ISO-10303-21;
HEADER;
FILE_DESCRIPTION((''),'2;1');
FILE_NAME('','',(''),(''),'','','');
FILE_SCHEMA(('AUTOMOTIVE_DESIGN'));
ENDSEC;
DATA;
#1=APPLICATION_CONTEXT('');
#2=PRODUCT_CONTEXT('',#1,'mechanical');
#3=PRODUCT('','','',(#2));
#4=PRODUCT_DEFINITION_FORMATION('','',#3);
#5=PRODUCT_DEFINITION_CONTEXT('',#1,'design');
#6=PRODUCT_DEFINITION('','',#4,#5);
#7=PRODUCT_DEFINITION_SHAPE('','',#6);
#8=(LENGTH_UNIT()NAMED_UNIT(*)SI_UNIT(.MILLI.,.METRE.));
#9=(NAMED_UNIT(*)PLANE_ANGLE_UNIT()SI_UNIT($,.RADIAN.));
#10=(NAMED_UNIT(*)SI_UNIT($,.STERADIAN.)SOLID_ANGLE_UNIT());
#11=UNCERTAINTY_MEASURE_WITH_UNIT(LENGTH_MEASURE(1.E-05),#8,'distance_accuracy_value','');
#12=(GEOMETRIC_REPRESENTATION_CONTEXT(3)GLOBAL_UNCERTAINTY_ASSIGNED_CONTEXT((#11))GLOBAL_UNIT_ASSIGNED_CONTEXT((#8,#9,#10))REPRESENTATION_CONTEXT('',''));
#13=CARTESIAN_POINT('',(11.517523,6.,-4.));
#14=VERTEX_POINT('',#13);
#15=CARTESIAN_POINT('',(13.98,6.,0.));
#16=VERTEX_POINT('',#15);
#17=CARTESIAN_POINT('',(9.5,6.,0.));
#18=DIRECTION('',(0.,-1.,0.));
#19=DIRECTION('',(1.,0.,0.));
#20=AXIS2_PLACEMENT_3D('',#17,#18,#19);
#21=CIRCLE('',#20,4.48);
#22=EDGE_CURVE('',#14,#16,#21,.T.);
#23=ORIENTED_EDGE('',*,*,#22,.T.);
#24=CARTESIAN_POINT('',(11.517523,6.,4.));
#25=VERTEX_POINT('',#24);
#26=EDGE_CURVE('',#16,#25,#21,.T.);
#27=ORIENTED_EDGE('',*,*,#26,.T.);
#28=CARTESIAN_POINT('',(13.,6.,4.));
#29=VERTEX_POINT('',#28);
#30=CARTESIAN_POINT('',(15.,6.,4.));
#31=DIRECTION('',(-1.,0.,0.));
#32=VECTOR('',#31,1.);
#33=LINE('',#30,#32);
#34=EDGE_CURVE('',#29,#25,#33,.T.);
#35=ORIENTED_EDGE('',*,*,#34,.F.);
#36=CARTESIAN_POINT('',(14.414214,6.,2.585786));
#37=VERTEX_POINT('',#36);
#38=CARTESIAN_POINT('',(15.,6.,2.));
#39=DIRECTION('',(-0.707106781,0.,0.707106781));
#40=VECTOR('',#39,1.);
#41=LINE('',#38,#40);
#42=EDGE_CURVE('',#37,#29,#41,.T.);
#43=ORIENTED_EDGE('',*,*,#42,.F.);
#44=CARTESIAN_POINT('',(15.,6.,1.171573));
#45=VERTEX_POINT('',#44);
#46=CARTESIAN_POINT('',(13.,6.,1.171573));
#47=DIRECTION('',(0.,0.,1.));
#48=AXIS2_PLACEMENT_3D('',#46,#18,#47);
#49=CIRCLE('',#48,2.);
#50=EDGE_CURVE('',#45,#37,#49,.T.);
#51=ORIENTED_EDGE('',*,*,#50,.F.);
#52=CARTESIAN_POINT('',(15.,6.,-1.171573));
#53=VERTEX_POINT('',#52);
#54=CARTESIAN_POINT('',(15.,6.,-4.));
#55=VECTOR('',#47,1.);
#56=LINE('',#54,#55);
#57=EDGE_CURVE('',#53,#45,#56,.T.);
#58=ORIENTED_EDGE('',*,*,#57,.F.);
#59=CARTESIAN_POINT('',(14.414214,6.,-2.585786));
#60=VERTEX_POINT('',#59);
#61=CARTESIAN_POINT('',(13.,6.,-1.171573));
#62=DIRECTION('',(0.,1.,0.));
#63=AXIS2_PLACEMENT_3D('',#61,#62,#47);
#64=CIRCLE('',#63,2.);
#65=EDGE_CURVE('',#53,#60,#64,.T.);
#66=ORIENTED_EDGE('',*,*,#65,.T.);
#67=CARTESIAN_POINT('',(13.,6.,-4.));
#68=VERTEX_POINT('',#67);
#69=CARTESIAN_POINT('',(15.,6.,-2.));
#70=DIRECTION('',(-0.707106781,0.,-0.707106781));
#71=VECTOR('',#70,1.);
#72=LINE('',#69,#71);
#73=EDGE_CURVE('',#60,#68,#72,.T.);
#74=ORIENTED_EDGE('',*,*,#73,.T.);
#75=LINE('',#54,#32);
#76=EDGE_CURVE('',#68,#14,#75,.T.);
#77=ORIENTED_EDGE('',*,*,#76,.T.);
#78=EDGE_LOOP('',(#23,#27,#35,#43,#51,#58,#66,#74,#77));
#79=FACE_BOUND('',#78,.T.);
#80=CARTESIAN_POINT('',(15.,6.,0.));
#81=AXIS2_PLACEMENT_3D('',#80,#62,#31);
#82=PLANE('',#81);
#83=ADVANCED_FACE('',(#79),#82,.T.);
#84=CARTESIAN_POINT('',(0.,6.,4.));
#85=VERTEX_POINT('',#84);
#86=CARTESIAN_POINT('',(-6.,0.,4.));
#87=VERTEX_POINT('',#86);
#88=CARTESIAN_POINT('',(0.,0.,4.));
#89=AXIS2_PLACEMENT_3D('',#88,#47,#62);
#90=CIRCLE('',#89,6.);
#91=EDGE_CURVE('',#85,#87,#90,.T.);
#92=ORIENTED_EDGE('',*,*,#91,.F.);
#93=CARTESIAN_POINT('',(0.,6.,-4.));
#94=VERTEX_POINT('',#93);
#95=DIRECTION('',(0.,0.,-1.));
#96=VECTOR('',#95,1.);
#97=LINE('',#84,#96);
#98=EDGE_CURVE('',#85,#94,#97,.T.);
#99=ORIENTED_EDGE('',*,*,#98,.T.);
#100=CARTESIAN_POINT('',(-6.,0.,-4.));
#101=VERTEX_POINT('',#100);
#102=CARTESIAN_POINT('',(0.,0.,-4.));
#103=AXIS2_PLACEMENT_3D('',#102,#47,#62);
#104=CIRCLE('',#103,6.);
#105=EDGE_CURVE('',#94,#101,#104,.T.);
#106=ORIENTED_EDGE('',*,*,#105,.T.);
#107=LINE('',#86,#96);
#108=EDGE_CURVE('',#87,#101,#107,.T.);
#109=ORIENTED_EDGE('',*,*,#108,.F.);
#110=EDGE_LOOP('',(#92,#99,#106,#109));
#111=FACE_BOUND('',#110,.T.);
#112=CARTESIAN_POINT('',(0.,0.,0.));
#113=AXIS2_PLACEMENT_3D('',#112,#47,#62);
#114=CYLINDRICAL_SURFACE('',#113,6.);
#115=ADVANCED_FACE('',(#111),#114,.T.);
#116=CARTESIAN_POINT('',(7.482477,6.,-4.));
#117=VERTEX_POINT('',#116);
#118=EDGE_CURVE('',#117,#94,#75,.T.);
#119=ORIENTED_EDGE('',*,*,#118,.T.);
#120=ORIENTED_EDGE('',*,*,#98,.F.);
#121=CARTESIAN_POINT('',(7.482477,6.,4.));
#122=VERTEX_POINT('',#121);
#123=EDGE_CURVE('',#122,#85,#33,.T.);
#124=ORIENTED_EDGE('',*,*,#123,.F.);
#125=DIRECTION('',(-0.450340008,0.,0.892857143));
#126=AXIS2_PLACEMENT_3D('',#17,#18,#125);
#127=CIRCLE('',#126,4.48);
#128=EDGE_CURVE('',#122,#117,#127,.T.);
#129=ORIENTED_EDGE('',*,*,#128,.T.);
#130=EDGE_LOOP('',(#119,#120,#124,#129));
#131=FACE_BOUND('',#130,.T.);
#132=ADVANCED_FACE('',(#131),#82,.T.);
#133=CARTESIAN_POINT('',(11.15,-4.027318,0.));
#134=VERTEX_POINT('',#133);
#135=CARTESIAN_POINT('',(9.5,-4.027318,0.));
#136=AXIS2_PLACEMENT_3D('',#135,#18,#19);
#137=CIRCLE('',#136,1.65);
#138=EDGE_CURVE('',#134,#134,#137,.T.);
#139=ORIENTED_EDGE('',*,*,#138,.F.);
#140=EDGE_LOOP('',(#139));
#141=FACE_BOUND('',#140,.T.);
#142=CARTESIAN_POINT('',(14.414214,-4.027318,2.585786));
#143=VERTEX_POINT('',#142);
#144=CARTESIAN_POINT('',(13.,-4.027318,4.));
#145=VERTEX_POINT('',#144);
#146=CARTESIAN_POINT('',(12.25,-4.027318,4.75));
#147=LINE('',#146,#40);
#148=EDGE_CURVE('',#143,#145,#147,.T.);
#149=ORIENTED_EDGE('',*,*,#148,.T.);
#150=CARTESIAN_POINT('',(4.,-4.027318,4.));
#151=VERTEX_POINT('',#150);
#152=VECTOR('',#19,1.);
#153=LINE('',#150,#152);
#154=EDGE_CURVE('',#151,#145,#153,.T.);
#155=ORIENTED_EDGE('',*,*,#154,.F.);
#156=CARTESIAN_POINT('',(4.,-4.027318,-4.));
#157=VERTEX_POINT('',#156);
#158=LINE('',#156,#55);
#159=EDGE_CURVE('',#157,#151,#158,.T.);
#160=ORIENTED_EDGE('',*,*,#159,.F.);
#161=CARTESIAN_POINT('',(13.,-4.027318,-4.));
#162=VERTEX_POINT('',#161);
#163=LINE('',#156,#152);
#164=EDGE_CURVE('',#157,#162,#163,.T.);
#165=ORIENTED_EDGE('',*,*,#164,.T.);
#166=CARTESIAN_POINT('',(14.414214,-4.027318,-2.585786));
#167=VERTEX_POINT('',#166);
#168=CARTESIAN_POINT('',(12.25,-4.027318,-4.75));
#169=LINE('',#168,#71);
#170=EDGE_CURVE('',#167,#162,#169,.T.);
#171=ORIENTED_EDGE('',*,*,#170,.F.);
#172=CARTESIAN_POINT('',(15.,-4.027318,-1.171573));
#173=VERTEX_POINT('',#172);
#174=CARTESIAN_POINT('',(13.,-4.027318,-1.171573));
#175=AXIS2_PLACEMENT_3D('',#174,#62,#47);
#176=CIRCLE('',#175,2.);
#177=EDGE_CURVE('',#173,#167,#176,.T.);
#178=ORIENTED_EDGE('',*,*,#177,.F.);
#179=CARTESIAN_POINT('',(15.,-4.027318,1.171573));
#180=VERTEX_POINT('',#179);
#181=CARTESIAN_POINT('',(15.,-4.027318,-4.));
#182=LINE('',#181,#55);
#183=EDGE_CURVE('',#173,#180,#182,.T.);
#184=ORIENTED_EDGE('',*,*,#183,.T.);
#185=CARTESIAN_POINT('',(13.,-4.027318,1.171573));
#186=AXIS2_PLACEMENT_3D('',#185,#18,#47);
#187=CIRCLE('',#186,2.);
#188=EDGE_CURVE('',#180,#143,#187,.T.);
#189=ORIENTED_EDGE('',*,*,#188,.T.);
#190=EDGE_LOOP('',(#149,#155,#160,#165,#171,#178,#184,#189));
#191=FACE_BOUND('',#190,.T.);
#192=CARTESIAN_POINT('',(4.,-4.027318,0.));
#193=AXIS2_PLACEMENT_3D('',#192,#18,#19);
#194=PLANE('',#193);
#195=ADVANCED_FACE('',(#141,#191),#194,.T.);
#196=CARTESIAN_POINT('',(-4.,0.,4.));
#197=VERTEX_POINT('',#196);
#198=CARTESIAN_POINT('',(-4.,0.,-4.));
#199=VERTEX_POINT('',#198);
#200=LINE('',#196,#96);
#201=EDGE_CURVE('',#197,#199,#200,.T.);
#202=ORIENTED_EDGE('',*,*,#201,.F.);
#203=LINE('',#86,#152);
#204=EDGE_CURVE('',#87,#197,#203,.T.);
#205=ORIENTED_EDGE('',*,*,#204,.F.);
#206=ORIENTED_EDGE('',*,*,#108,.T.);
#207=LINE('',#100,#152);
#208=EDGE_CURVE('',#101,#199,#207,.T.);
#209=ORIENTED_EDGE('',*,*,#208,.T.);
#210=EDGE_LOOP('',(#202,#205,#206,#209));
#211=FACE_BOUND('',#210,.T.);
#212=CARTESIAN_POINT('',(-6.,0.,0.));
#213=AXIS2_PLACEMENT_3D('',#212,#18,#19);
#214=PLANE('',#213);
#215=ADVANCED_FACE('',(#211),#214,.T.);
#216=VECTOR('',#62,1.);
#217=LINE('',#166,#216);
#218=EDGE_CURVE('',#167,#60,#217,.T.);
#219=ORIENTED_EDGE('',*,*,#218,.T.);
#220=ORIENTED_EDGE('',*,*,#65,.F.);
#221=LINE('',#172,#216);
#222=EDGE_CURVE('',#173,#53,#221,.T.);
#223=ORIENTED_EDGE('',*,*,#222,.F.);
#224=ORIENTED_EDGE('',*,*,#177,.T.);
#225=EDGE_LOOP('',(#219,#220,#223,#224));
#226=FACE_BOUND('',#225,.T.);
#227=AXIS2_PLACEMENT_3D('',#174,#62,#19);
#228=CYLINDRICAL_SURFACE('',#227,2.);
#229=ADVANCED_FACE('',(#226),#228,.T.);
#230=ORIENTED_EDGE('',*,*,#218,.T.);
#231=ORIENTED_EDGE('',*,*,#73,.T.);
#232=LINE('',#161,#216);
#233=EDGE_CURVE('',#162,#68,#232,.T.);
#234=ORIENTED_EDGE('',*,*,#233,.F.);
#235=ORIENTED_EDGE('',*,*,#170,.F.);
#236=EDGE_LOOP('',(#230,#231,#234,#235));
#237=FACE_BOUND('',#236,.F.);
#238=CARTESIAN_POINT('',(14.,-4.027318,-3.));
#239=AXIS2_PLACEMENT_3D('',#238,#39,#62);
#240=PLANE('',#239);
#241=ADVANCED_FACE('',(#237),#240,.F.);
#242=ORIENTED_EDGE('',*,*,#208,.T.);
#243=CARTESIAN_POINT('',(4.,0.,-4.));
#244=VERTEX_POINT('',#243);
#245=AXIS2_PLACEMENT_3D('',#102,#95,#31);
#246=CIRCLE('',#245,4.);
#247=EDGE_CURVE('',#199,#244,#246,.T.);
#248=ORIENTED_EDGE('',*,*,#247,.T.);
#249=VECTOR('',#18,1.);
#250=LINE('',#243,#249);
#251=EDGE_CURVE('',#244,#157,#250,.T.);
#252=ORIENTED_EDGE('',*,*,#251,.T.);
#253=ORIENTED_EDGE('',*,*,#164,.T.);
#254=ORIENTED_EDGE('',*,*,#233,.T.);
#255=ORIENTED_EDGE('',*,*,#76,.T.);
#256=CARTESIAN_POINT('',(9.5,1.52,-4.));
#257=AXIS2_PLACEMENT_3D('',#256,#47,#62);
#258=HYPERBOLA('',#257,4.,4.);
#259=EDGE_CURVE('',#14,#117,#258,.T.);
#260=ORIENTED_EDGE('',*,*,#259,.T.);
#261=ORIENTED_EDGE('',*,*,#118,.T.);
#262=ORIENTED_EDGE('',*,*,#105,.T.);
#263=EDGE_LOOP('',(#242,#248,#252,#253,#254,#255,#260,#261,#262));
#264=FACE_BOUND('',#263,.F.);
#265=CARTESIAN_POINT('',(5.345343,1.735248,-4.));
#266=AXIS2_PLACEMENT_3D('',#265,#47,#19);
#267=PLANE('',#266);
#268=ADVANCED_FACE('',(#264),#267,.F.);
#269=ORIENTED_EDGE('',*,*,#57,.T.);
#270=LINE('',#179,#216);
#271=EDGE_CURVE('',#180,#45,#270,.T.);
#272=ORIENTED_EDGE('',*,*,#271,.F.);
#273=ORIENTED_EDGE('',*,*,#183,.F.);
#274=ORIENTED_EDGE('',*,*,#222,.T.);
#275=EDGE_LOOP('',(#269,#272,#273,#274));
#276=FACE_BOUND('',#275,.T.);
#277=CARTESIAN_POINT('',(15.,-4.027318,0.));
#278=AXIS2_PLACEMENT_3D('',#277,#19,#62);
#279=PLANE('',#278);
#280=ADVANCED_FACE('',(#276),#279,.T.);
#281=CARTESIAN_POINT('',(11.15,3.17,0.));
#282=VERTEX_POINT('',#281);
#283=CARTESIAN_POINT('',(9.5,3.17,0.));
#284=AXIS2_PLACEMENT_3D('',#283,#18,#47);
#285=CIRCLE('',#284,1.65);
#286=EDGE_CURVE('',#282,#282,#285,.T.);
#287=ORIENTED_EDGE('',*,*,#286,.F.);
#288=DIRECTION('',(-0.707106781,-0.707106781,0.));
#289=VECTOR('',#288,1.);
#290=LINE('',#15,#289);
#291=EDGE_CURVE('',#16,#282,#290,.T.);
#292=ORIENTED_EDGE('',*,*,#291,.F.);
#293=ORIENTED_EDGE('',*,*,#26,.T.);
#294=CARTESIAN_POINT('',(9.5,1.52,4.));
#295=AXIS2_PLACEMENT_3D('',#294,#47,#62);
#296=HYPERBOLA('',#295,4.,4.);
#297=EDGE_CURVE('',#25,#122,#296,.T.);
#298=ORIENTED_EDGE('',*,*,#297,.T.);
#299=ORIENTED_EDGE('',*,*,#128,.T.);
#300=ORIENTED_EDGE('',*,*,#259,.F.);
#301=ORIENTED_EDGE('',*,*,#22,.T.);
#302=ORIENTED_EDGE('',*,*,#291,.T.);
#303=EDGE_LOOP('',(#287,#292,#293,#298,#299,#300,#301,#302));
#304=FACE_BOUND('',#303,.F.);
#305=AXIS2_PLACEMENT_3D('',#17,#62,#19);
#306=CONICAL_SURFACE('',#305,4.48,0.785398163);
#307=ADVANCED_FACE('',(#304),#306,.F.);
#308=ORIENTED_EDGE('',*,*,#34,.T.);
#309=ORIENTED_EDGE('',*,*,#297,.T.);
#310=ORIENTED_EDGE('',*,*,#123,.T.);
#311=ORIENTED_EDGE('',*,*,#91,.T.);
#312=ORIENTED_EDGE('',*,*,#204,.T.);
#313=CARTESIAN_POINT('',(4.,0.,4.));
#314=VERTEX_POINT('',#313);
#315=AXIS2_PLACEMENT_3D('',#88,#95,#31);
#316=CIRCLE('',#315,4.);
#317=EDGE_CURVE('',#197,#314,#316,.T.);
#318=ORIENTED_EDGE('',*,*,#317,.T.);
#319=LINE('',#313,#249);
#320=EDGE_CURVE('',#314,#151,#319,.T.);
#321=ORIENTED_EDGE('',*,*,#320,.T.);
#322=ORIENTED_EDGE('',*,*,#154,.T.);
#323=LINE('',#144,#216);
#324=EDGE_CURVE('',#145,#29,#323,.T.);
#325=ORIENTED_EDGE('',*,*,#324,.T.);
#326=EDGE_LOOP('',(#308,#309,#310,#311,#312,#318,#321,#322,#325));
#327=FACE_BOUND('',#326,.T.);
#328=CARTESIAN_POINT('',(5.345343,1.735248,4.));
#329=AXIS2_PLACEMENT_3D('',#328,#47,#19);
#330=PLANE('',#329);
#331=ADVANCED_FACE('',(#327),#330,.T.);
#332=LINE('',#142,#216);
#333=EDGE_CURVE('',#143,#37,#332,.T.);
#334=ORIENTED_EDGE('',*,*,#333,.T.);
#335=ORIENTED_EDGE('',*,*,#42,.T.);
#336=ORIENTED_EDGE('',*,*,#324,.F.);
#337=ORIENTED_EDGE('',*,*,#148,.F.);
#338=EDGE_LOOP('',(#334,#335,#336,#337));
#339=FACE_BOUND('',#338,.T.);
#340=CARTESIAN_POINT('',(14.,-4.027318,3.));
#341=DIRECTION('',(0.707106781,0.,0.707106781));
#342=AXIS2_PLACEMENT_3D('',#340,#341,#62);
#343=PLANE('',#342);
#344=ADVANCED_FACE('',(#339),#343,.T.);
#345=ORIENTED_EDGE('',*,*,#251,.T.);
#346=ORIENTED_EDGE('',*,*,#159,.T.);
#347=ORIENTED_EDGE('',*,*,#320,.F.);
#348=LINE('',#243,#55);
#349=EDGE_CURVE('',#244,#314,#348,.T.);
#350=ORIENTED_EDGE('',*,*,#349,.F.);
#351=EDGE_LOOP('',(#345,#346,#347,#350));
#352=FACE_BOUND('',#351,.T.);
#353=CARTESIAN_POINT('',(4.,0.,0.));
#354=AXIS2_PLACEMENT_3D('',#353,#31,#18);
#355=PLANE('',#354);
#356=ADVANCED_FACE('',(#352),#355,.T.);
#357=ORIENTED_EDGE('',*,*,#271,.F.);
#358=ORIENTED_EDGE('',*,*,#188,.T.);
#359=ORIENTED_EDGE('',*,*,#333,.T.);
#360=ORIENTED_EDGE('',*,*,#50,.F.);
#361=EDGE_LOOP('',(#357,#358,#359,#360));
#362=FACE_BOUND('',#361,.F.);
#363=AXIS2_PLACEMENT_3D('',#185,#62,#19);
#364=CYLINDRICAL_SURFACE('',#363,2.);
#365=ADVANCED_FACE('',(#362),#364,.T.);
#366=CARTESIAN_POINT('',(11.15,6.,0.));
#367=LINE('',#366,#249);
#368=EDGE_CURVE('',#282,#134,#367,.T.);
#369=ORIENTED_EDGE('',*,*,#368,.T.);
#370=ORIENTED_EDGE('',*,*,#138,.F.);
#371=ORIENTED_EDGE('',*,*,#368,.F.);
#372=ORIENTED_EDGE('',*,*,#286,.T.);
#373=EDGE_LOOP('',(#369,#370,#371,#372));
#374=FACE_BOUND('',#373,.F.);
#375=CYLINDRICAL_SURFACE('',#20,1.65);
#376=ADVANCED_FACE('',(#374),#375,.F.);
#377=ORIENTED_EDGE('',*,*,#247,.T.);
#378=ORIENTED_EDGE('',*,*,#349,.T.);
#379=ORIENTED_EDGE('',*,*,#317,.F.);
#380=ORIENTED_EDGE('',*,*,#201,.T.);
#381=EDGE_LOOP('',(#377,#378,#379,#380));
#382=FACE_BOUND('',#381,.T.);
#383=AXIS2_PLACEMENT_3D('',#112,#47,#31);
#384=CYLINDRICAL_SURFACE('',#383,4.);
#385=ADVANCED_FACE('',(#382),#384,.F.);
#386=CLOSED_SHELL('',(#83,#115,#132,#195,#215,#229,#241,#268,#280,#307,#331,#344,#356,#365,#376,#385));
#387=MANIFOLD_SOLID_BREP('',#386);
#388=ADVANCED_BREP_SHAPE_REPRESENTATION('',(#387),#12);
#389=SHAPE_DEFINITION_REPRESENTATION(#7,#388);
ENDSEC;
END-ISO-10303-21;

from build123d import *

# Parameters (mm, degrees)
F1_DEPTH       = 4
F3_D           = 3.3
F3_CSINK_D     = 8.96
F3_CSINK_ANGLE = 90
F4_SIZE        = 2
F5_R           = 2


with BuildPart() as f1:
    # F0 (on Top) → F1 (new body, symmetric)
    with BuildSketch(Plane.XY):
        with BuildLine():
            ThreePointArc((-4, 0), (0, 4), (4, 0))
            Line((4, 0), (4, -4.0273182094))
            Line((4, -4.0273182094), (15, -4.0273182094))
            Line((15, -4.0273182094), (15, 6))
            Line((15, 6), (0, 6))
            ThreePointArc((0, 6), (-4.2426406871, 4.2426406871), (-6, 0))
            Line((-6, 0), (-4, 0))
        make_face()
    extrude(amount=F1_DEPTH, both=True)

    # F3 (through all)
    with Locations(Plane(origin=(0, 6, 0), x_dir=(-1, 0, 0), z_dir=(0, 1, 0))):
        with Locations((-9.5, 0)):
            CounterSinkHole(F3_D / 2, F3_CSINK_D / 2, counter_sink_angle=F3_CSINK_ANGLE)

    # F4
    f4_edges = [f1.edges().sort_by_distance(p)[0] for p in [
        (15, 0.986341, -4),
        (15, 0.986341, 4),
    ]]
    chamfer(f4_edges, length=F4_SIZE)

    # F5
    f5_edges = [f1.edges().sort_by_distance(p)[0] for p in [
        (15, 0.986341, -2),
        (15, 0.986341, 2),
    ]]
    fillet(f5_edges, radius=F5_R)


solid = f1.part
